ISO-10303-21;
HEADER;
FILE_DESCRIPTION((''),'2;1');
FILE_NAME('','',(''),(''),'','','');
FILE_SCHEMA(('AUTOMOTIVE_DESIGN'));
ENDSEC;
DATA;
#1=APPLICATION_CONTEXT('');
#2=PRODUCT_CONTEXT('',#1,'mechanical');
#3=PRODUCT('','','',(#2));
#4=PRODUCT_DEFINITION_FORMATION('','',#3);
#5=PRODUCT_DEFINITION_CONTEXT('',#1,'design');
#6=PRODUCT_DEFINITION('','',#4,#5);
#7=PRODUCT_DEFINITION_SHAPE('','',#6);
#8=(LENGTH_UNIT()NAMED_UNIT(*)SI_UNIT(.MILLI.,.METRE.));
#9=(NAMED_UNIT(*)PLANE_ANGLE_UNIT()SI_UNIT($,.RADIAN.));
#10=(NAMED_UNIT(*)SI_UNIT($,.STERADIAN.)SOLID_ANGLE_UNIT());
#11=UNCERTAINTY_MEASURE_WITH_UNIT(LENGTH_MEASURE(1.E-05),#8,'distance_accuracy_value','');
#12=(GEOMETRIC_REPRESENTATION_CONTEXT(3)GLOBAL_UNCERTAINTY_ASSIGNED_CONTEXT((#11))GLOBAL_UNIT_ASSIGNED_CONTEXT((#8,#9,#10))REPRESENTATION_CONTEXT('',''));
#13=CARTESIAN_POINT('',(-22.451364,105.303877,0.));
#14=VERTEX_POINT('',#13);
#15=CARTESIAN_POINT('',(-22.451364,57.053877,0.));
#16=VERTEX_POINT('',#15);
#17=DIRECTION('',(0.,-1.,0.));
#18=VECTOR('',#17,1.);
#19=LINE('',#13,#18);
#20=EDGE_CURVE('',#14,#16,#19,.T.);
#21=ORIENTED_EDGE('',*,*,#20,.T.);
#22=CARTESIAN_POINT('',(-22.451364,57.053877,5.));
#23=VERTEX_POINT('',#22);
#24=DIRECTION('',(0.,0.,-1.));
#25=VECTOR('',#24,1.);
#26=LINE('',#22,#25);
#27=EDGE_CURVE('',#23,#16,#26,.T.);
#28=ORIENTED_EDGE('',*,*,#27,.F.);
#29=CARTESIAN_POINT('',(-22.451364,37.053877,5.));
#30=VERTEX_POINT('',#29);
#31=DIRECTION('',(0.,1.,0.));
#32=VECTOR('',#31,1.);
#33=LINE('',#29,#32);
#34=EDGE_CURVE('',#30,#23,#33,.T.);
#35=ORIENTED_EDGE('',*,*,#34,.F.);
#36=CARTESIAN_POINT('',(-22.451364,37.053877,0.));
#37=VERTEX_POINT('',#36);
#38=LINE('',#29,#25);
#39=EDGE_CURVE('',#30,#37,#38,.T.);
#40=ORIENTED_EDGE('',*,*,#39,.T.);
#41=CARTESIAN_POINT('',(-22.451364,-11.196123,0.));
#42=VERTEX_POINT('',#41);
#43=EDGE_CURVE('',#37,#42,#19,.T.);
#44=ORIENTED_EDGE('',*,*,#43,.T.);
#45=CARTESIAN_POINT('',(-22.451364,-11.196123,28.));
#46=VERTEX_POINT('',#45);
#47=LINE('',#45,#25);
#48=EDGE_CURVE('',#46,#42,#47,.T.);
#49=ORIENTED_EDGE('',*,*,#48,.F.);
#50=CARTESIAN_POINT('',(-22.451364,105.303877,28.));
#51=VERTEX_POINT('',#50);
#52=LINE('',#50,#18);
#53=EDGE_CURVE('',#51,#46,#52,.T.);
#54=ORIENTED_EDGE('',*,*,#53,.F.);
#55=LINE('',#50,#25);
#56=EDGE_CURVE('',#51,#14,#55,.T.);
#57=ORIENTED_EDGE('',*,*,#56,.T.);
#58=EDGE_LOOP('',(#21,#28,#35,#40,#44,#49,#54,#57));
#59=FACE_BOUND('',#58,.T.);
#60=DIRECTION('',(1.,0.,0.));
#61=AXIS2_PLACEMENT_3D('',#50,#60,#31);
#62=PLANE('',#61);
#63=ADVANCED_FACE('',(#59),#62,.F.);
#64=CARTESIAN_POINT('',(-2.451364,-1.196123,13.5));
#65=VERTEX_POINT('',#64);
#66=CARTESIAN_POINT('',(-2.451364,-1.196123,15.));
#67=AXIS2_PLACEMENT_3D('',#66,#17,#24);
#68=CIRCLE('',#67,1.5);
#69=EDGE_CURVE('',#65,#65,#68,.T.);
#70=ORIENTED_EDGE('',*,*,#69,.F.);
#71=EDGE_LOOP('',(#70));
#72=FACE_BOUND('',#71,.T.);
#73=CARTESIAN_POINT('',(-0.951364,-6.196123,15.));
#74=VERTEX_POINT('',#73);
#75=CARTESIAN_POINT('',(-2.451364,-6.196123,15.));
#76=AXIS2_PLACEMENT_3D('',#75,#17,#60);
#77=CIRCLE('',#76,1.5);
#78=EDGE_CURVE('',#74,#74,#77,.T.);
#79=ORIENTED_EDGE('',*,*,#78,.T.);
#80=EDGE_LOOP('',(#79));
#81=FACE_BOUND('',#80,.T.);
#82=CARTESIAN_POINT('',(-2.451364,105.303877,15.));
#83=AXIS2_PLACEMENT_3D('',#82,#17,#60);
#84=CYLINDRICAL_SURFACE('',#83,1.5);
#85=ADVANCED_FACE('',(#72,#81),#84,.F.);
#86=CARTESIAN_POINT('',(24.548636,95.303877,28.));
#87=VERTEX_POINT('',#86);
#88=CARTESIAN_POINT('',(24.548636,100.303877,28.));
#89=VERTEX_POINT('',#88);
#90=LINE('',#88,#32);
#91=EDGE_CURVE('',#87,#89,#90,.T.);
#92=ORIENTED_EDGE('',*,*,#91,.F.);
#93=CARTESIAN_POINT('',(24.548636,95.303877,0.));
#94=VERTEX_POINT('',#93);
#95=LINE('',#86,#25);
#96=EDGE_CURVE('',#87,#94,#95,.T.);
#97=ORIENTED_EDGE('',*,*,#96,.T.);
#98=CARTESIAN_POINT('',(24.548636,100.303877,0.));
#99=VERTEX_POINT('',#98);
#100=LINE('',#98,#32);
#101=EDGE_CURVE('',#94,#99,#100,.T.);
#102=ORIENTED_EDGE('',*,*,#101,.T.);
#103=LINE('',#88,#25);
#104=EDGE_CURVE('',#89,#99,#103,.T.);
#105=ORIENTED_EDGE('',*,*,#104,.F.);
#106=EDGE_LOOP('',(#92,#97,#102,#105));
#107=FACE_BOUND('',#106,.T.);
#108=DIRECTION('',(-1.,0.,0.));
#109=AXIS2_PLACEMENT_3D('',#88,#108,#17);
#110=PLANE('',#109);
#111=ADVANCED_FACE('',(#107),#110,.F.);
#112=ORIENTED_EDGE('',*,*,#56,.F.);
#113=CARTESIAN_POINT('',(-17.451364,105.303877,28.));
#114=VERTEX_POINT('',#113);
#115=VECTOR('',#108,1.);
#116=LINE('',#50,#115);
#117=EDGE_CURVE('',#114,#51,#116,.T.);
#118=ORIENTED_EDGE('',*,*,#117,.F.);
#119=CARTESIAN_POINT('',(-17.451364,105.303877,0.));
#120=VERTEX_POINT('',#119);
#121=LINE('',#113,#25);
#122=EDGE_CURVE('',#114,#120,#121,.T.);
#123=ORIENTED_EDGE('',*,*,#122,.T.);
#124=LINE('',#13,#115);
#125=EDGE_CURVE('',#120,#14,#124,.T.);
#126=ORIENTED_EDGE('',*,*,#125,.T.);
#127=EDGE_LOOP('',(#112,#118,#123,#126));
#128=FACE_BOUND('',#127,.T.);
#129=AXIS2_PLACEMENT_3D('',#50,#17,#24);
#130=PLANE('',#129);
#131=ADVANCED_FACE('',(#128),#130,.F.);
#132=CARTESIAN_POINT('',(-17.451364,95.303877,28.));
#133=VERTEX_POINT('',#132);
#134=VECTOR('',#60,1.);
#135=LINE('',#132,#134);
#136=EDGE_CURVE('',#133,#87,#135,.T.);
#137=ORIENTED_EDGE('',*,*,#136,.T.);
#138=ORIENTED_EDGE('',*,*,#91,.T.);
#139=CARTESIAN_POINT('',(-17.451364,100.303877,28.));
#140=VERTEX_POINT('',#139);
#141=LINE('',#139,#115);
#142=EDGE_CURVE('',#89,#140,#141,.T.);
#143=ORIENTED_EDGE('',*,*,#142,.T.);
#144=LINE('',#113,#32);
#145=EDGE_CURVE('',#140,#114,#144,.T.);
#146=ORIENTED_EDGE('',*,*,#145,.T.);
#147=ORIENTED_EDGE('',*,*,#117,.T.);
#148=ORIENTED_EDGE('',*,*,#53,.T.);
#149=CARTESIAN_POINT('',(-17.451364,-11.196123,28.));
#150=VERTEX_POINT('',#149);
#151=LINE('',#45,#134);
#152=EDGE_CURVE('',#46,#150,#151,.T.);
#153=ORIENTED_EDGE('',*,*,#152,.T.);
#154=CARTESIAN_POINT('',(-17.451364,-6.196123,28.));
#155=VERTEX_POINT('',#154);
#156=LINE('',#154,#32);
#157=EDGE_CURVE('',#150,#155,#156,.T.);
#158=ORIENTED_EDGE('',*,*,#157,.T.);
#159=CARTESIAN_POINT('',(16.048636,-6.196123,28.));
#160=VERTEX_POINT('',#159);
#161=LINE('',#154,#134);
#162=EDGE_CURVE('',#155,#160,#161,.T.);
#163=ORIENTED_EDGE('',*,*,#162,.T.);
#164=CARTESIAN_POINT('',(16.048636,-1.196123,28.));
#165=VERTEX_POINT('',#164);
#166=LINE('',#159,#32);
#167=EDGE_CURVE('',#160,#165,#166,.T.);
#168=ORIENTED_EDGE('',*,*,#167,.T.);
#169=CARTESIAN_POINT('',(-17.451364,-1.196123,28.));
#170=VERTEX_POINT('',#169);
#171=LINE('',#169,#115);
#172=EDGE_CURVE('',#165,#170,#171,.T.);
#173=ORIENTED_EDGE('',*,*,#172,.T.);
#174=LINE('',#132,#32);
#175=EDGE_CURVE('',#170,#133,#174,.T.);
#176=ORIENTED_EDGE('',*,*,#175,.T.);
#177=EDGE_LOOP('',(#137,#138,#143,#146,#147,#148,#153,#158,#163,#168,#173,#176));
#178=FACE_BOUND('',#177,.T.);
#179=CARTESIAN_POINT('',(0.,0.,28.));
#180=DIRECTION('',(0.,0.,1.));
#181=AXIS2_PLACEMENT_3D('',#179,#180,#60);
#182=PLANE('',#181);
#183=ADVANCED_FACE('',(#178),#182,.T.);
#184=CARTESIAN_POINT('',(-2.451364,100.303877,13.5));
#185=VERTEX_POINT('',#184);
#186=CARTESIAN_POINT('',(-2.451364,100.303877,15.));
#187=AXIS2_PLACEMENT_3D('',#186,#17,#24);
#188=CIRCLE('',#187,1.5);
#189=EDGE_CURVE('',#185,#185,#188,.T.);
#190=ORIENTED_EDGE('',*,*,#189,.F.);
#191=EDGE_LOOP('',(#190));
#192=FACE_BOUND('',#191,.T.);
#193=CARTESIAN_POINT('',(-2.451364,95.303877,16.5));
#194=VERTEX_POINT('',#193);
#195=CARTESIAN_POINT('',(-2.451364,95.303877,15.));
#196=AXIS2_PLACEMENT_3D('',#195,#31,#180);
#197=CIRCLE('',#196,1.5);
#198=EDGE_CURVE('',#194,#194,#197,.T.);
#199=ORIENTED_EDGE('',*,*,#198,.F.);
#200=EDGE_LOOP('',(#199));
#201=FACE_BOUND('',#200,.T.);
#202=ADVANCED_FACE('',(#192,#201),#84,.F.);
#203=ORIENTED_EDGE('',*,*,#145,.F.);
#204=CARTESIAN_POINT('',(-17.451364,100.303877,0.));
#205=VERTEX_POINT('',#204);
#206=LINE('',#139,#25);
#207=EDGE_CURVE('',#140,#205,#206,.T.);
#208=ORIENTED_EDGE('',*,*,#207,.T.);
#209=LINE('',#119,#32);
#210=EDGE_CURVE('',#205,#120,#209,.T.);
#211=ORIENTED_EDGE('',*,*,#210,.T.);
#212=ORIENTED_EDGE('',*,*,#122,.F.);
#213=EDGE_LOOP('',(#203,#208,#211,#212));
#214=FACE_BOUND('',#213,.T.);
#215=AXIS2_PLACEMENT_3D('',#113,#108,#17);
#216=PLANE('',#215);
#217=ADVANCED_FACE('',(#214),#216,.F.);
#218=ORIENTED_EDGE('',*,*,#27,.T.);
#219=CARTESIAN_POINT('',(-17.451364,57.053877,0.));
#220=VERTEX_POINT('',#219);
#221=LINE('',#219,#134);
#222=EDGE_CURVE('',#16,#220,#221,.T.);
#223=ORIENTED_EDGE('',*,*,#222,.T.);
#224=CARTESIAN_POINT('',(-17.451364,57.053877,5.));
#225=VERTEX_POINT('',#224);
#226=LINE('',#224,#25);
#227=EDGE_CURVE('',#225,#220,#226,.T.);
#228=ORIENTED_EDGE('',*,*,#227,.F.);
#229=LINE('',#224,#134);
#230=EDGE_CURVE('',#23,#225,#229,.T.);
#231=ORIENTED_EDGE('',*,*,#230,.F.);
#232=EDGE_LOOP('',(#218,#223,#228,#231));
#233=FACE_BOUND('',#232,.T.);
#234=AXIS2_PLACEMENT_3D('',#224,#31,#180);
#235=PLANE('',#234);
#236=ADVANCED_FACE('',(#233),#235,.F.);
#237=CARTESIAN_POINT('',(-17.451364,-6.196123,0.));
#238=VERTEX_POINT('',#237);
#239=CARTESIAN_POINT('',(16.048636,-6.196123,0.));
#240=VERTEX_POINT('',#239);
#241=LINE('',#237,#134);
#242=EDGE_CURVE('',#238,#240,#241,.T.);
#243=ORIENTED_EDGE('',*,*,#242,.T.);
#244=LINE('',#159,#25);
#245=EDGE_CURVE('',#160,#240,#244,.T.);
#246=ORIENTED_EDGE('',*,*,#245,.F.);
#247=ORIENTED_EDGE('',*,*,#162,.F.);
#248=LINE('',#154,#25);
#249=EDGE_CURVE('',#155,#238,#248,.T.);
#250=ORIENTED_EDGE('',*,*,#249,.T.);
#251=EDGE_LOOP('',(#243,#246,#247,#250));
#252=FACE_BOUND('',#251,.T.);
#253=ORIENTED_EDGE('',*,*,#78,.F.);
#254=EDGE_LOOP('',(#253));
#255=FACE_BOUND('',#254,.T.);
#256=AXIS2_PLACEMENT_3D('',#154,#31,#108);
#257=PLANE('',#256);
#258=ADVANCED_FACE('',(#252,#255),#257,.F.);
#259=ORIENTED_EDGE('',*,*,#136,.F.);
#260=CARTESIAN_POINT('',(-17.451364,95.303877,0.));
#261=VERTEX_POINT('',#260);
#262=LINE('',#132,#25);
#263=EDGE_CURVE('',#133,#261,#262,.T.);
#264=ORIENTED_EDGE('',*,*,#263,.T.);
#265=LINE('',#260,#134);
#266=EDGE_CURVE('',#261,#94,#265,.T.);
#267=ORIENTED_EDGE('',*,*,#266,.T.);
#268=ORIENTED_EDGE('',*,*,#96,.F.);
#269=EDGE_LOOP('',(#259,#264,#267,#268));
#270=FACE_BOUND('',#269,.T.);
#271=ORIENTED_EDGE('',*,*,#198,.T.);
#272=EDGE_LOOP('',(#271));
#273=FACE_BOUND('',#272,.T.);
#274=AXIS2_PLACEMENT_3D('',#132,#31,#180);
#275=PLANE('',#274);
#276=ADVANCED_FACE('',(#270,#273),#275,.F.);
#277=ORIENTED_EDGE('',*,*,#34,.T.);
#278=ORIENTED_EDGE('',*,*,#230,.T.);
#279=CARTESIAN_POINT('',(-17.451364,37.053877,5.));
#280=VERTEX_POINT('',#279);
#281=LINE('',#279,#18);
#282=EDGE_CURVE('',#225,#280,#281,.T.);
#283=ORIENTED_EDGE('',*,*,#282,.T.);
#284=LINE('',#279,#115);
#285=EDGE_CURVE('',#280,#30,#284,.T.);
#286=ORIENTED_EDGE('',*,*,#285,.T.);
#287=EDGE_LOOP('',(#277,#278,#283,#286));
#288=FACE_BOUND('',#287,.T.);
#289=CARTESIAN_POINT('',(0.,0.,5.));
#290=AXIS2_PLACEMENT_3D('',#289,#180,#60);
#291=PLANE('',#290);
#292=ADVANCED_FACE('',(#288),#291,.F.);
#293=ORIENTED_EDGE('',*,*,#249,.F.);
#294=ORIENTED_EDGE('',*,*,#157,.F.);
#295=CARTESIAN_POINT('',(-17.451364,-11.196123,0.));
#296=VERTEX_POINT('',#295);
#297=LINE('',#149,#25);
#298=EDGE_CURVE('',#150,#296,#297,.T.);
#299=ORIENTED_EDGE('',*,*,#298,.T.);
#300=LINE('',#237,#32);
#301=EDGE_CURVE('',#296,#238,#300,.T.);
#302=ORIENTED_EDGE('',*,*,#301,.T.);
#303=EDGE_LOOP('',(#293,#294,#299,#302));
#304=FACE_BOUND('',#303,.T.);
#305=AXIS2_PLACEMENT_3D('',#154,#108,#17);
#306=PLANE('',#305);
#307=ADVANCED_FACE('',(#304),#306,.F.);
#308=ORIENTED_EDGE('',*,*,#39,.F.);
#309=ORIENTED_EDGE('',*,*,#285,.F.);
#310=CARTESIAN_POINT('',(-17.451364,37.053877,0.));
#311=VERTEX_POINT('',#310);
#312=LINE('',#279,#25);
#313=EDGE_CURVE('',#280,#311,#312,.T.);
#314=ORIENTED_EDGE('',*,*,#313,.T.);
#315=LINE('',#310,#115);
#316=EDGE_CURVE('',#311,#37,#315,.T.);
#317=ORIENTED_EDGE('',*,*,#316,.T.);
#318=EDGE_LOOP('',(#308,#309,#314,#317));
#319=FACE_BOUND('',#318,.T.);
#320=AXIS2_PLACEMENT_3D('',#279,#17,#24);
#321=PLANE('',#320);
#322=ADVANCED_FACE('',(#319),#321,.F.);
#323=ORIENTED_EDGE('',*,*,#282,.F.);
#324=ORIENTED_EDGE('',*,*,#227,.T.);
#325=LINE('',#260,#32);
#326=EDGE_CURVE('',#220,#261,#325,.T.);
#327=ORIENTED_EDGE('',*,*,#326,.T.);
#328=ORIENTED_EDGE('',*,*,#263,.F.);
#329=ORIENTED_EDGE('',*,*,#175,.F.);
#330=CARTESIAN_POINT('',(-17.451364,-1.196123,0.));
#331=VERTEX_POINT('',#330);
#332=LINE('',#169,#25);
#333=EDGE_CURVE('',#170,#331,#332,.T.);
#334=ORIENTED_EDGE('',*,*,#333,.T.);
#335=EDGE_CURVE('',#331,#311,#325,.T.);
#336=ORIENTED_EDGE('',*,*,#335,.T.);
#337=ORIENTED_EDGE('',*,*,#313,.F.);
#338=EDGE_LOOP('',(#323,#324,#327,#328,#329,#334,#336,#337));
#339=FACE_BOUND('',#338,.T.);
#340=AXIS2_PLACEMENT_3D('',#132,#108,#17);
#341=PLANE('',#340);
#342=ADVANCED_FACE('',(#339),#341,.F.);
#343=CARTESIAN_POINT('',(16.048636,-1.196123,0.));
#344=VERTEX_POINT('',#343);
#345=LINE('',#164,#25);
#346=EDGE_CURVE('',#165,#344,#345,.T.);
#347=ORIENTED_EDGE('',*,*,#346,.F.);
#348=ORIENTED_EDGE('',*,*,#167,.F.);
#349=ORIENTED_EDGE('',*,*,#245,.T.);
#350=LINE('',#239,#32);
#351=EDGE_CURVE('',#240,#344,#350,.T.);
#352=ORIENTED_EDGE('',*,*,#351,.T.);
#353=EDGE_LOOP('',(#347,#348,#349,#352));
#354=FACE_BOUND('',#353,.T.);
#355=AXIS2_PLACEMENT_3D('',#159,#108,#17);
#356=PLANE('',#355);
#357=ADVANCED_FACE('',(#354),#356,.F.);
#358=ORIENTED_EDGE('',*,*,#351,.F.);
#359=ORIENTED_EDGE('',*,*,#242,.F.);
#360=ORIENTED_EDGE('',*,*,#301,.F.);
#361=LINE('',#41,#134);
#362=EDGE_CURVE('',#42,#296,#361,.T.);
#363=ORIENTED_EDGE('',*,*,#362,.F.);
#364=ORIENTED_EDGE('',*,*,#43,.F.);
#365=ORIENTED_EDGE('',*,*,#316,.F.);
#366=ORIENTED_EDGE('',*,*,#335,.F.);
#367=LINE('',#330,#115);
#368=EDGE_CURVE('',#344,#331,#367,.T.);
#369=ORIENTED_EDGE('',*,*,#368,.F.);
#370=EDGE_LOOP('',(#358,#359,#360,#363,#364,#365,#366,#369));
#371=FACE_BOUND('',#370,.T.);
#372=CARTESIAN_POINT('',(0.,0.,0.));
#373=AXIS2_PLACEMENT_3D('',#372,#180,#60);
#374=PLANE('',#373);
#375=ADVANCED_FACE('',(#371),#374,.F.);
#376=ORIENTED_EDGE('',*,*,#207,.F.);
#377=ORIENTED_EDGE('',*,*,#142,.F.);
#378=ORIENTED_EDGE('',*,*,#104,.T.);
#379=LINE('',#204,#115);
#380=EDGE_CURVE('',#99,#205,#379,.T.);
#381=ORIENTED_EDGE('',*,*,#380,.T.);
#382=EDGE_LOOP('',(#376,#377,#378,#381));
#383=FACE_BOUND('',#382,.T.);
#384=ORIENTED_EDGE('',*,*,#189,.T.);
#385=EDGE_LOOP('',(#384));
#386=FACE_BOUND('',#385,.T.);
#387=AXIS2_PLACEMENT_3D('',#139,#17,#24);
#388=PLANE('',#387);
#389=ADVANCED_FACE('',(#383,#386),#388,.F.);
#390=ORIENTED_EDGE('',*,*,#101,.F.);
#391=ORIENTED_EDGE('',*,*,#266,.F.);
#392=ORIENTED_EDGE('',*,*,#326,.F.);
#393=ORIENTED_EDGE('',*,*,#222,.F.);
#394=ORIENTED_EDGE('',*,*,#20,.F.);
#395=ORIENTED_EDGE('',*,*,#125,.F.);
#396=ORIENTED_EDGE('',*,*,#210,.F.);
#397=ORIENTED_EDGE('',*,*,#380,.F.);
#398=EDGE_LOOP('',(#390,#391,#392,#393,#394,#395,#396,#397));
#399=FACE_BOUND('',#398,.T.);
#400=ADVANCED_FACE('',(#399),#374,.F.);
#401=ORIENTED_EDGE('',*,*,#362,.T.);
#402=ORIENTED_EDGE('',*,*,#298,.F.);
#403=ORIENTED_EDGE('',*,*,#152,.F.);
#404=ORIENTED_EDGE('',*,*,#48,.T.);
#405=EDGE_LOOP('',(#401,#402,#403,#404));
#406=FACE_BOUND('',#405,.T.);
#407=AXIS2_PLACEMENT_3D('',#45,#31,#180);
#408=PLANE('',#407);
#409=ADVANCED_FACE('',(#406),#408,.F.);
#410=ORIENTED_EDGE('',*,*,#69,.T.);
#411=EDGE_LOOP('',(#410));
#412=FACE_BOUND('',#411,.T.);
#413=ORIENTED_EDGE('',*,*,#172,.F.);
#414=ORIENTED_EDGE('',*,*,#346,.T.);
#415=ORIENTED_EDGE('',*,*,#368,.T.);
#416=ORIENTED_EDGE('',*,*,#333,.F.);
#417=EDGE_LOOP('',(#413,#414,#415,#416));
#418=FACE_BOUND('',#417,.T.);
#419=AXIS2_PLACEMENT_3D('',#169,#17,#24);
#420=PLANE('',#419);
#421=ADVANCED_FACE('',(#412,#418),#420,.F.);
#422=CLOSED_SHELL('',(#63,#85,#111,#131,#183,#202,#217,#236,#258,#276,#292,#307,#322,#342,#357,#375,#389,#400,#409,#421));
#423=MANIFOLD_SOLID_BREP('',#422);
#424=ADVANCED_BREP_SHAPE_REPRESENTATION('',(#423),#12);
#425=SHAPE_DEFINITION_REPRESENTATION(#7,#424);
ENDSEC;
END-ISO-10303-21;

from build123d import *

# Parameters (mm, degrees)
EXTRUDE_1_DEPTH     = 28
SKETCH_2_W          = 5
SKETCH_2_H          = 20
CUT_EXTRUDE_1_DEPTH = 5
SKETCH_3_R          = 1.5
CUT_EXTRUDE_2_DEPTH = 118.553755913


with BuildPart() as part:
    # 草圖1 → 填料-伸長1 (new body)
    with BuildSketch(Plane.XY):
        Polygon((-17.451364004, -6.196122823), (-17.451364004, -11.196122823), (-22.451364004, -11.196122823), (-22.451364004, 105.303877177), (-17.451364004, 105.303877177), (-17.451364004, 100.303877177), (24.548635996, 100.303877177), (24.548635996, 95.303877177), (-17.451364004, 95.303877177), (-17.451364004, -1.196122823), (16.048635996, -1.196122823), (16.048635996, -6.196122823), align=None)
    extrude(amount=EXTRUDE_1_DEPTH)

    # 草圖2 → 除料-伸長1 (cut)
    with BuildSketch(Plane(origin=(0, 0, 0), x_dir=(-1, 0, 0), z_dir=(0, 0, -1))):
        with Locations((19.951364004, 47.053877177)):
            Rectangle(SKETCH_2_W, SKETCH_2_H)
    extrude(amount=-CUT_EXTRUDE_1_DEPTH, mode=Mode.SUBTRACT)

    # 草圖3 → 除料-伸長2 (cut, through all)
    with BuildSketch(Plane.XZ.offset(6.196122823)):
        with Locations(Location((-2.451364004, 15, 0), (0, 0, 270))):
            Circle(SKETCH_3_R)
    extrude(amount=-CUT_EXTRUDE_2_DEPTH, mode=Mode.SUBTRACT)


solid = part.part
